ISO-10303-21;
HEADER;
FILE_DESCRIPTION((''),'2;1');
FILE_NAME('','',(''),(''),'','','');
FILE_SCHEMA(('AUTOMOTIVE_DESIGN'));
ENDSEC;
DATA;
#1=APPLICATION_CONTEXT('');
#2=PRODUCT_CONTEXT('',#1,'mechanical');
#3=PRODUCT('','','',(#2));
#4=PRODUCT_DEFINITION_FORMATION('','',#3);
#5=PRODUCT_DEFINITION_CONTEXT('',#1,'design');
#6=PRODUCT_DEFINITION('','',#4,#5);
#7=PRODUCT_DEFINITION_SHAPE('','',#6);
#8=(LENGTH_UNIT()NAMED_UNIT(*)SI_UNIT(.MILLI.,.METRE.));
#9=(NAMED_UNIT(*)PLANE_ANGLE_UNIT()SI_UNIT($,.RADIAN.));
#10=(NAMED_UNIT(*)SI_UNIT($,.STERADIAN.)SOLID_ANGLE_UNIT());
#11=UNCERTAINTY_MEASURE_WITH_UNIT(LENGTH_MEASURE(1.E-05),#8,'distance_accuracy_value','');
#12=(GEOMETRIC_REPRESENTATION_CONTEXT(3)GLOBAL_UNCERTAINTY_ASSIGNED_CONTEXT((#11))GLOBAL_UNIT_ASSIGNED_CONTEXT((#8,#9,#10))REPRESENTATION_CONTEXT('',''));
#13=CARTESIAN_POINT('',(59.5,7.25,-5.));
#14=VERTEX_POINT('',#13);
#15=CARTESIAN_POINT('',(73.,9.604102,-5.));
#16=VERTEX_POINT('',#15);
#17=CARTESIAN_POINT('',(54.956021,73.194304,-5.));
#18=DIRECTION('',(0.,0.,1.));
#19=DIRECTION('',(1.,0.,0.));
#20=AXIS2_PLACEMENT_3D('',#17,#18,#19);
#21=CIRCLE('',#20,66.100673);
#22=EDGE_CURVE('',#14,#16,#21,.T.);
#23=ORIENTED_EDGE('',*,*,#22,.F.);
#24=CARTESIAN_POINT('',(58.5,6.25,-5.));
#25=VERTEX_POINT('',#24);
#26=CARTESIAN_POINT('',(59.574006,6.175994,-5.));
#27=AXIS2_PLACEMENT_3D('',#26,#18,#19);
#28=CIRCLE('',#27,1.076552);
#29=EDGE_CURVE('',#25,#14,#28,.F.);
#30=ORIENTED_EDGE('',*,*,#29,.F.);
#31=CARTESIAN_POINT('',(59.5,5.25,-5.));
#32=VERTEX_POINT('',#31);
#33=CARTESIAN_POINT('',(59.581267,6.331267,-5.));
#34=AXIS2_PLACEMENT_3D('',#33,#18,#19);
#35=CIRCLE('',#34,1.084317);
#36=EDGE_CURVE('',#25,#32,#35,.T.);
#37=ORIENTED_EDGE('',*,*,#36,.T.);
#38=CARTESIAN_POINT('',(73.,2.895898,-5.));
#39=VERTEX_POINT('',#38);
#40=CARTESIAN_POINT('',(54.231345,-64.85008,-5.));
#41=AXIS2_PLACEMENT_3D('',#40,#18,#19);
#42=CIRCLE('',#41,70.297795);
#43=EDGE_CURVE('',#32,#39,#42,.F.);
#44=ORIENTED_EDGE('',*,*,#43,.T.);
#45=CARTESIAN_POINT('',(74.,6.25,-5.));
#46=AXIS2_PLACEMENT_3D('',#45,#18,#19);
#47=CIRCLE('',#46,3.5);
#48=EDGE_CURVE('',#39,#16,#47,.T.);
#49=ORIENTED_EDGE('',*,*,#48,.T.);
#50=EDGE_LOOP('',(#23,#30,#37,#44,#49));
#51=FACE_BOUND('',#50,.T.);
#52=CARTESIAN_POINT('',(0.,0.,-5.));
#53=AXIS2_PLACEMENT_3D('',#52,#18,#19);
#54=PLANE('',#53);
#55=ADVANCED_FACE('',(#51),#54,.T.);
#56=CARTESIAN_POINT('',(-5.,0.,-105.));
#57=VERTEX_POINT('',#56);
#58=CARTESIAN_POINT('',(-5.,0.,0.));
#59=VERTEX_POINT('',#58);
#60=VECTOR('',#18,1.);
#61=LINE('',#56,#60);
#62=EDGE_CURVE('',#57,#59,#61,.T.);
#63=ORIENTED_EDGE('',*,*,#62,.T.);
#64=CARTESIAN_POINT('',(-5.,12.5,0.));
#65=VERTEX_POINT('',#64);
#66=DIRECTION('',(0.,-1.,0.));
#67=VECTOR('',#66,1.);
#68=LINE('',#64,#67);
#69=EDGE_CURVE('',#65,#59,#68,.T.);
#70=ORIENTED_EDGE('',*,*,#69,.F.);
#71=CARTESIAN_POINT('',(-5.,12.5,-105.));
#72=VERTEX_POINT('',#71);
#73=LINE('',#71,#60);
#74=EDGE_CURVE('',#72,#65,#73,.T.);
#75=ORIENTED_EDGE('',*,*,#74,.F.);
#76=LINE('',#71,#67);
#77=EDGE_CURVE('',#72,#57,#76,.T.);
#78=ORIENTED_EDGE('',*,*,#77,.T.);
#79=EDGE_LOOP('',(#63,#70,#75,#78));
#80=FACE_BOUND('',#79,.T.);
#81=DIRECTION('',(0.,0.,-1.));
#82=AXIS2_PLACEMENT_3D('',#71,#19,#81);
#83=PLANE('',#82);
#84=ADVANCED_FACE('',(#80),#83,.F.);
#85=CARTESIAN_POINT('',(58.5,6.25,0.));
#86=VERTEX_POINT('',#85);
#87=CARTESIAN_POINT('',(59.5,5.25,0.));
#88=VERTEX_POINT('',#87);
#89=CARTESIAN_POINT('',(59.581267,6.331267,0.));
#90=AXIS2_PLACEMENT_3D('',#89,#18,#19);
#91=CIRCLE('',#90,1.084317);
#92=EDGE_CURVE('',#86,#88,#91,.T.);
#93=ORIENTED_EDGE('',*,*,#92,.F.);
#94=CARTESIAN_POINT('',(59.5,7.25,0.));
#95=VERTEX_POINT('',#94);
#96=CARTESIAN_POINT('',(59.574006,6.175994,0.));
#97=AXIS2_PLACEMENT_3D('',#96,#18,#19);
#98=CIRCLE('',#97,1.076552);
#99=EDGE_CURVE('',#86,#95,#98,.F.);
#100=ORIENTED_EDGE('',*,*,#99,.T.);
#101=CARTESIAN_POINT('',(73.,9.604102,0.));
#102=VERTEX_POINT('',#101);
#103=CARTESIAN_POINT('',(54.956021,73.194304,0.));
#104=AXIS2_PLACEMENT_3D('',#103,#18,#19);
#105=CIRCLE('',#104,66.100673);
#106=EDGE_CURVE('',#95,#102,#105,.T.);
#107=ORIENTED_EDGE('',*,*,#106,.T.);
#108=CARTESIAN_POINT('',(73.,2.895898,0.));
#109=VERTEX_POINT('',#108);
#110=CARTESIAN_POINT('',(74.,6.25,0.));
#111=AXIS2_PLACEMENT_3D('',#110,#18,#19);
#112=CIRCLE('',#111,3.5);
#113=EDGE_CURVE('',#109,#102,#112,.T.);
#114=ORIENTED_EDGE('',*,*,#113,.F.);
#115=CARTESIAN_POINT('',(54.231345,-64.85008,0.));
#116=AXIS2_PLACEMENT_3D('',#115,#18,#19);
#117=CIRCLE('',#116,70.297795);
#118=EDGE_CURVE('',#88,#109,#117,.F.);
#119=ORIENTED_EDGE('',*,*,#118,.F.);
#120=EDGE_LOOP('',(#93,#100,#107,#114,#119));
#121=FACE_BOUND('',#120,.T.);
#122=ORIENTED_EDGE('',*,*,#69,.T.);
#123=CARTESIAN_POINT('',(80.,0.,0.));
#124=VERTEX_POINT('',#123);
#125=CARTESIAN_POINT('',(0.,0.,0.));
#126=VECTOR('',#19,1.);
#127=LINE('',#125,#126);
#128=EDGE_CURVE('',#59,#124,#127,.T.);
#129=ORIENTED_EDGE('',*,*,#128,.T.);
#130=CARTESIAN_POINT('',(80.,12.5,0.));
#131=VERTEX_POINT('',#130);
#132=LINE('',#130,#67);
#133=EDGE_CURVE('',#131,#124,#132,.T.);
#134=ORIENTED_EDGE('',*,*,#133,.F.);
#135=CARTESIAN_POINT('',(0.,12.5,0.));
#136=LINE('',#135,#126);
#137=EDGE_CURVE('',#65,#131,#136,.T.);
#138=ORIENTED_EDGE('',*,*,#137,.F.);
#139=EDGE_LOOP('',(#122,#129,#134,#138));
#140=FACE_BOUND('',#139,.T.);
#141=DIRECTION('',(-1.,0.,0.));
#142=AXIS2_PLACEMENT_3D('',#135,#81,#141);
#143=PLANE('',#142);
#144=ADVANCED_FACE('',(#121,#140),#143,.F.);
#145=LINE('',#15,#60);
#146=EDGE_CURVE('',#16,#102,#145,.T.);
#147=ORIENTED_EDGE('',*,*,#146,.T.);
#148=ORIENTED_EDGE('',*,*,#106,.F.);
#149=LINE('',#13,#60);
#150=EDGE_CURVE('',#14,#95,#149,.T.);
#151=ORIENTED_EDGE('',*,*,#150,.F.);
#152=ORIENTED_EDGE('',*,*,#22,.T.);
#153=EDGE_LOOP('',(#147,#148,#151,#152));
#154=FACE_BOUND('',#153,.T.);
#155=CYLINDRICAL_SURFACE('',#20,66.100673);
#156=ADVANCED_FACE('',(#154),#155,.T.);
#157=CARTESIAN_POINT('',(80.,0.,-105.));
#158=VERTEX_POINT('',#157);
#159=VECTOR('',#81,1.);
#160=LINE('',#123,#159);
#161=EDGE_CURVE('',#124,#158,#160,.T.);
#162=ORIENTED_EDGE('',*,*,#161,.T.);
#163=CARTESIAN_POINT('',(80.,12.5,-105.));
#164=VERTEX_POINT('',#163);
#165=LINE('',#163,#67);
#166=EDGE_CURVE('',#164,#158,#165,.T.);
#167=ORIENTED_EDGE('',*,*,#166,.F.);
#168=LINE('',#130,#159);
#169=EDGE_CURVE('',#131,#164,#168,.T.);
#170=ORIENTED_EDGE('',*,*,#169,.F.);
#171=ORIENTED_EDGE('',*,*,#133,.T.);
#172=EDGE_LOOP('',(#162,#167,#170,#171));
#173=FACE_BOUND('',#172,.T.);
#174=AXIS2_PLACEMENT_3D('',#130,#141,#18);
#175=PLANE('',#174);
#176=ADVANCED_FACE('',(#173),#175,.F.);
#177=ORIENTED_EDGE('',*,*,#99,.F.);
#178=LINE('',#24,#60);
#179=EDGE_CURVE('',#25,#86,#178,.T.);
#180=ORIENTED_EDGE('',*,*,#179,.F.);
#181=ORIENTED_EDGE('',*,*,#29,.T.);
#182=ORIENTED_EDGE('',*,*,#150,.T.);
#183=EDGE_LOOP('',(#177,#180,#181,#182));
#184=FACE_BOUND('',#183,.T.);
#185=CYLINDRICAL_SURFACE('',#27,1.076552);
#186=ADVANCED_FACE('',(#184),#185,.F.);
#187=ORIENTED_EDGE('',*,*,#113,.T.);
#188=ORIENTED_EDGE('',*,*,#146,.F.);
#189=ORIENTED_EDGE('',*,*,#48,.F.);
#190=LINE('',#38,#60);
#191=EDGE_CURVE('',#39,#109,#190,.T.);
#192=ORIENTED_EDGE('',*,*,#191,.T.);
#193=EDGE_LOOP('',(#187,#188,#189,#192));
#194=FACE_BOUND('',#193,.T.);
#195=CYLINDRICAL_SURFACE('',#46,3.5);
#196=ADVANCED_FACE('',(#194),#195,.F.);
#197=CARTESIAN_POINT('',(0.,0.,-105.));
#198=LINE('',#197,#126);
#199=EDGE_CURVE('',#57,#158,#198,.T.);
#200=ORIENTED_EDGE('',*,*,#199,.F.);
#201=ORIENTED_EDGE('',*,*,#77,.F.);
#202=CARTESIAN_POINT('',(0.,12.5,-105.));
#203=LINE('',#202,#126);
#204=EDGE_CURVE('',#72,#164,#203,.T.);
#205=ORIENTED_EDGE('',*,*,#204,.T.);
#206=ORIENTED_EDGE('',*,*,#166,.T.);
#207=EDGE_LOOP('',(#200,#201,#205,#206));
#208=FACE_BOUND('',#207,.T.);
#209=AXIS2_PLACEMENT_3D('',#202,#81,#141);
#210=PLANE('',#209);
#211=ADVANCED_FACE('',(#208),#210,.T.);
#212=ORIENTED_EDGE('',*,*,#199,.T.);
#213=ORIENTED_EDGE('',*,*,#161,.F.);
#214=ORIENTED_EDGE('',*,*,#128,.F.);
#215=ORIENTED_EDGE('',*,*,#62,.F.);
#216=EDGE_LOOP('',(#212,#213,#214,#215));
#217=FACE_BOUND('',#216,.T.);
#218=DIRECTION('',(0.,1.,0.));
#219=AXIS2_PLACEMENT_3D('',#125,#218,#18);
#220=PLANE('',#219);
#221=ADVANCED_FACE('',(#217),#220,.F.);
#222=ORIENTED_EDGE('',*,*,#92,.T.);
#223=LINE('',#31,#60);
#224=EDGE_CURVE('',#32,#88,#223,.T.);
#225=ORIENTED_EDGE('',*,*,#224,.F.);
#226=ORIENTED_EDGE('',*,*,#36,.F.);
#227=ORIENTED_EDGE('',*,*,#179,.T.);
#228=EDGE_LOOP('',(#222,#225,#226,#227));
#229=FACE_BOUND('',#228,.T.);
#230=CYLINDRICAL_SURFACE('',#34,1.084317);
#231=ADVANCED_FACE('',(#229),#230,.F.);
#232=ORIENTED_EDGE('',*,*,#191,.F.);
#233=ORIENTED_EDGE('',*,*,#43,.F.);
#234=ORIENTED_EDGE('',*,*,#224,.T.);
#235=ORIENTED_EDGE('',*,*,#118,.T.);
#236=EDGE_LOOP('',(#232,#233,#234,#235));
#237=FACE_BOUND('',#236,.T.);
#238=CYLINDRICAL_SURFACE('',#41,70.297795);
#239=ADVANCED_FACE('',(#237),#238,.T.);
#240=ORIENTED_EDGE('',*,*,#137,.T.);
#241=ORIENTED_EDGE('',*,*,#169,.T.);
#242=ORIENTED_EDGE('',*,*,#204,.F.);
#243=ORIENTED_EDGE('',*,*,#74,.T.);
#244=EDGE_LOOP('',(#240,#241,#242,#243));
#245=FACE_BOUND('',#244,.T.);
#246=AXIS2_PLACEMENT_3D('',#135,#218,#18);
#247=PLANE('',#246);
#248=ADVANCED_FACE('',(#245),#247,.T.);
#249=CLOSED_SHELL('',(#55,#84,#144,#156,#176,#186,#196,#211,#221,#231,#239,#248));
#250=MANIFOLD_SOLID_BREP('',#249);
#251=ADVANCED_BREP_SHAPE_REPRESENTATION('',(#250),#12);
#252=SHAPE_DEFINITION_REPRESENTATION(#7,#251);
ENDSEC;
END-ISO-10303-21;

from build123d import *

# Parameters (mm, degrees)
SKETCH1_W           = 80
SKETCH1_H           = 105
SKETCH1_W_2         = 5
BOSS_EXTRUDE1_DEPTH = 12.5
CUT_EXTRUDE1_DEPTH  = 5


with BuildPart() as part:
    # Sketch1 → Boss-Extrude1 (new body)
    with BuildSketch(Plane(origin=(0, 0, 0), x_dir=(1, 0, 0), z_dir=(0, 1, 0))):
        with Locations((40, 52.5)):
            Rectangle(SKETCH1_W, SKETCH1_H)
        with Locations((-2.5, 52.5)):
            Rectangle(SKETCH1_W_2, SKETCH1_H)
    extrude(amount=BOSS_EXTRUDE1_DEPTH)

    # Sketch2 → Cut-Extrude1 (cut)
    with BuildSketch(Plane.XY):
        with BuildLine():
            ThreePointArc((73, 2.895898034), (76.091650066, 3.44375696), (77.5, 6.25))
            Line((77.5, 6.25), (74, 6.25))
            Line((74, 6.25), (73, 6.25))
            Line((73, 6.25), (73, 2.895898034))
        make_face()
        with BuildLine():
            Line((74, 6.25), (77.5, 6.25))
            ThreePointArc((77.5, 6.25), (76.091650066, 9.05624304), (73, 9.604101966))
            Line((73, 9.604101966), (73, 6.25))
            Line((73, 6.25), (74, 6.25))
        make_face()
        with BuildLine():
            Line((73, 6.25), (73, 9.604101966))
            ThreePointArc((73, 9.604101966), (71.19375696, 8.341650066), (70.5, 6.25))
            Line((70.5, 6.25), (73, 6.25))
        make_face()
        with BuildLine():
            ThreePointArc((70.5, 6.25), (71.19375696, 4.158349934), (73, 2.895898034))
            Line((73, 2.895898034), (73, 6.25))
            Line((73, 6.25), (70.5, 6.25))
        make_face()
        with BuildLine():
            ThreePointArc((59.5, 5.25), (66.307499895, 4.402691993), (73, 2.895898034))
            ThreePointArc((73, 2.895898034), (71.19375696, 4.158349934), (70.5, 6.25))
            Line((70.5, 6.25), (59.5, 6.25))
            Line((59.5, 6.25), (58.5, 6.25))
            ThreePointArc((58.5, 6.25), (58.814539324, 5.564539324), (59.5, 5.25))
        make_face()
        with BuildLine():
            ThreePointArc((70.5, 6.25), (71.19375696, 8.341650066), (73, 9.604101966))
            ThreePointArc((73, 9.604101966), (66.311170081, 8.076260701), (59.5, 7.25))
            ThreePointArc((59.5, 7.25), (58.812768212, 6.937231788), (58.5, 6.25))
            Line((58.5, 6.25), (59.5, 6.25))
            Line((59.5, 6.25), (70.5, 6.25))
        make_face()
    extrude(amount=-CUT_EXTRUDE1_DEPTH, mode=Mode.SUBTRACT)


solid = part.part
